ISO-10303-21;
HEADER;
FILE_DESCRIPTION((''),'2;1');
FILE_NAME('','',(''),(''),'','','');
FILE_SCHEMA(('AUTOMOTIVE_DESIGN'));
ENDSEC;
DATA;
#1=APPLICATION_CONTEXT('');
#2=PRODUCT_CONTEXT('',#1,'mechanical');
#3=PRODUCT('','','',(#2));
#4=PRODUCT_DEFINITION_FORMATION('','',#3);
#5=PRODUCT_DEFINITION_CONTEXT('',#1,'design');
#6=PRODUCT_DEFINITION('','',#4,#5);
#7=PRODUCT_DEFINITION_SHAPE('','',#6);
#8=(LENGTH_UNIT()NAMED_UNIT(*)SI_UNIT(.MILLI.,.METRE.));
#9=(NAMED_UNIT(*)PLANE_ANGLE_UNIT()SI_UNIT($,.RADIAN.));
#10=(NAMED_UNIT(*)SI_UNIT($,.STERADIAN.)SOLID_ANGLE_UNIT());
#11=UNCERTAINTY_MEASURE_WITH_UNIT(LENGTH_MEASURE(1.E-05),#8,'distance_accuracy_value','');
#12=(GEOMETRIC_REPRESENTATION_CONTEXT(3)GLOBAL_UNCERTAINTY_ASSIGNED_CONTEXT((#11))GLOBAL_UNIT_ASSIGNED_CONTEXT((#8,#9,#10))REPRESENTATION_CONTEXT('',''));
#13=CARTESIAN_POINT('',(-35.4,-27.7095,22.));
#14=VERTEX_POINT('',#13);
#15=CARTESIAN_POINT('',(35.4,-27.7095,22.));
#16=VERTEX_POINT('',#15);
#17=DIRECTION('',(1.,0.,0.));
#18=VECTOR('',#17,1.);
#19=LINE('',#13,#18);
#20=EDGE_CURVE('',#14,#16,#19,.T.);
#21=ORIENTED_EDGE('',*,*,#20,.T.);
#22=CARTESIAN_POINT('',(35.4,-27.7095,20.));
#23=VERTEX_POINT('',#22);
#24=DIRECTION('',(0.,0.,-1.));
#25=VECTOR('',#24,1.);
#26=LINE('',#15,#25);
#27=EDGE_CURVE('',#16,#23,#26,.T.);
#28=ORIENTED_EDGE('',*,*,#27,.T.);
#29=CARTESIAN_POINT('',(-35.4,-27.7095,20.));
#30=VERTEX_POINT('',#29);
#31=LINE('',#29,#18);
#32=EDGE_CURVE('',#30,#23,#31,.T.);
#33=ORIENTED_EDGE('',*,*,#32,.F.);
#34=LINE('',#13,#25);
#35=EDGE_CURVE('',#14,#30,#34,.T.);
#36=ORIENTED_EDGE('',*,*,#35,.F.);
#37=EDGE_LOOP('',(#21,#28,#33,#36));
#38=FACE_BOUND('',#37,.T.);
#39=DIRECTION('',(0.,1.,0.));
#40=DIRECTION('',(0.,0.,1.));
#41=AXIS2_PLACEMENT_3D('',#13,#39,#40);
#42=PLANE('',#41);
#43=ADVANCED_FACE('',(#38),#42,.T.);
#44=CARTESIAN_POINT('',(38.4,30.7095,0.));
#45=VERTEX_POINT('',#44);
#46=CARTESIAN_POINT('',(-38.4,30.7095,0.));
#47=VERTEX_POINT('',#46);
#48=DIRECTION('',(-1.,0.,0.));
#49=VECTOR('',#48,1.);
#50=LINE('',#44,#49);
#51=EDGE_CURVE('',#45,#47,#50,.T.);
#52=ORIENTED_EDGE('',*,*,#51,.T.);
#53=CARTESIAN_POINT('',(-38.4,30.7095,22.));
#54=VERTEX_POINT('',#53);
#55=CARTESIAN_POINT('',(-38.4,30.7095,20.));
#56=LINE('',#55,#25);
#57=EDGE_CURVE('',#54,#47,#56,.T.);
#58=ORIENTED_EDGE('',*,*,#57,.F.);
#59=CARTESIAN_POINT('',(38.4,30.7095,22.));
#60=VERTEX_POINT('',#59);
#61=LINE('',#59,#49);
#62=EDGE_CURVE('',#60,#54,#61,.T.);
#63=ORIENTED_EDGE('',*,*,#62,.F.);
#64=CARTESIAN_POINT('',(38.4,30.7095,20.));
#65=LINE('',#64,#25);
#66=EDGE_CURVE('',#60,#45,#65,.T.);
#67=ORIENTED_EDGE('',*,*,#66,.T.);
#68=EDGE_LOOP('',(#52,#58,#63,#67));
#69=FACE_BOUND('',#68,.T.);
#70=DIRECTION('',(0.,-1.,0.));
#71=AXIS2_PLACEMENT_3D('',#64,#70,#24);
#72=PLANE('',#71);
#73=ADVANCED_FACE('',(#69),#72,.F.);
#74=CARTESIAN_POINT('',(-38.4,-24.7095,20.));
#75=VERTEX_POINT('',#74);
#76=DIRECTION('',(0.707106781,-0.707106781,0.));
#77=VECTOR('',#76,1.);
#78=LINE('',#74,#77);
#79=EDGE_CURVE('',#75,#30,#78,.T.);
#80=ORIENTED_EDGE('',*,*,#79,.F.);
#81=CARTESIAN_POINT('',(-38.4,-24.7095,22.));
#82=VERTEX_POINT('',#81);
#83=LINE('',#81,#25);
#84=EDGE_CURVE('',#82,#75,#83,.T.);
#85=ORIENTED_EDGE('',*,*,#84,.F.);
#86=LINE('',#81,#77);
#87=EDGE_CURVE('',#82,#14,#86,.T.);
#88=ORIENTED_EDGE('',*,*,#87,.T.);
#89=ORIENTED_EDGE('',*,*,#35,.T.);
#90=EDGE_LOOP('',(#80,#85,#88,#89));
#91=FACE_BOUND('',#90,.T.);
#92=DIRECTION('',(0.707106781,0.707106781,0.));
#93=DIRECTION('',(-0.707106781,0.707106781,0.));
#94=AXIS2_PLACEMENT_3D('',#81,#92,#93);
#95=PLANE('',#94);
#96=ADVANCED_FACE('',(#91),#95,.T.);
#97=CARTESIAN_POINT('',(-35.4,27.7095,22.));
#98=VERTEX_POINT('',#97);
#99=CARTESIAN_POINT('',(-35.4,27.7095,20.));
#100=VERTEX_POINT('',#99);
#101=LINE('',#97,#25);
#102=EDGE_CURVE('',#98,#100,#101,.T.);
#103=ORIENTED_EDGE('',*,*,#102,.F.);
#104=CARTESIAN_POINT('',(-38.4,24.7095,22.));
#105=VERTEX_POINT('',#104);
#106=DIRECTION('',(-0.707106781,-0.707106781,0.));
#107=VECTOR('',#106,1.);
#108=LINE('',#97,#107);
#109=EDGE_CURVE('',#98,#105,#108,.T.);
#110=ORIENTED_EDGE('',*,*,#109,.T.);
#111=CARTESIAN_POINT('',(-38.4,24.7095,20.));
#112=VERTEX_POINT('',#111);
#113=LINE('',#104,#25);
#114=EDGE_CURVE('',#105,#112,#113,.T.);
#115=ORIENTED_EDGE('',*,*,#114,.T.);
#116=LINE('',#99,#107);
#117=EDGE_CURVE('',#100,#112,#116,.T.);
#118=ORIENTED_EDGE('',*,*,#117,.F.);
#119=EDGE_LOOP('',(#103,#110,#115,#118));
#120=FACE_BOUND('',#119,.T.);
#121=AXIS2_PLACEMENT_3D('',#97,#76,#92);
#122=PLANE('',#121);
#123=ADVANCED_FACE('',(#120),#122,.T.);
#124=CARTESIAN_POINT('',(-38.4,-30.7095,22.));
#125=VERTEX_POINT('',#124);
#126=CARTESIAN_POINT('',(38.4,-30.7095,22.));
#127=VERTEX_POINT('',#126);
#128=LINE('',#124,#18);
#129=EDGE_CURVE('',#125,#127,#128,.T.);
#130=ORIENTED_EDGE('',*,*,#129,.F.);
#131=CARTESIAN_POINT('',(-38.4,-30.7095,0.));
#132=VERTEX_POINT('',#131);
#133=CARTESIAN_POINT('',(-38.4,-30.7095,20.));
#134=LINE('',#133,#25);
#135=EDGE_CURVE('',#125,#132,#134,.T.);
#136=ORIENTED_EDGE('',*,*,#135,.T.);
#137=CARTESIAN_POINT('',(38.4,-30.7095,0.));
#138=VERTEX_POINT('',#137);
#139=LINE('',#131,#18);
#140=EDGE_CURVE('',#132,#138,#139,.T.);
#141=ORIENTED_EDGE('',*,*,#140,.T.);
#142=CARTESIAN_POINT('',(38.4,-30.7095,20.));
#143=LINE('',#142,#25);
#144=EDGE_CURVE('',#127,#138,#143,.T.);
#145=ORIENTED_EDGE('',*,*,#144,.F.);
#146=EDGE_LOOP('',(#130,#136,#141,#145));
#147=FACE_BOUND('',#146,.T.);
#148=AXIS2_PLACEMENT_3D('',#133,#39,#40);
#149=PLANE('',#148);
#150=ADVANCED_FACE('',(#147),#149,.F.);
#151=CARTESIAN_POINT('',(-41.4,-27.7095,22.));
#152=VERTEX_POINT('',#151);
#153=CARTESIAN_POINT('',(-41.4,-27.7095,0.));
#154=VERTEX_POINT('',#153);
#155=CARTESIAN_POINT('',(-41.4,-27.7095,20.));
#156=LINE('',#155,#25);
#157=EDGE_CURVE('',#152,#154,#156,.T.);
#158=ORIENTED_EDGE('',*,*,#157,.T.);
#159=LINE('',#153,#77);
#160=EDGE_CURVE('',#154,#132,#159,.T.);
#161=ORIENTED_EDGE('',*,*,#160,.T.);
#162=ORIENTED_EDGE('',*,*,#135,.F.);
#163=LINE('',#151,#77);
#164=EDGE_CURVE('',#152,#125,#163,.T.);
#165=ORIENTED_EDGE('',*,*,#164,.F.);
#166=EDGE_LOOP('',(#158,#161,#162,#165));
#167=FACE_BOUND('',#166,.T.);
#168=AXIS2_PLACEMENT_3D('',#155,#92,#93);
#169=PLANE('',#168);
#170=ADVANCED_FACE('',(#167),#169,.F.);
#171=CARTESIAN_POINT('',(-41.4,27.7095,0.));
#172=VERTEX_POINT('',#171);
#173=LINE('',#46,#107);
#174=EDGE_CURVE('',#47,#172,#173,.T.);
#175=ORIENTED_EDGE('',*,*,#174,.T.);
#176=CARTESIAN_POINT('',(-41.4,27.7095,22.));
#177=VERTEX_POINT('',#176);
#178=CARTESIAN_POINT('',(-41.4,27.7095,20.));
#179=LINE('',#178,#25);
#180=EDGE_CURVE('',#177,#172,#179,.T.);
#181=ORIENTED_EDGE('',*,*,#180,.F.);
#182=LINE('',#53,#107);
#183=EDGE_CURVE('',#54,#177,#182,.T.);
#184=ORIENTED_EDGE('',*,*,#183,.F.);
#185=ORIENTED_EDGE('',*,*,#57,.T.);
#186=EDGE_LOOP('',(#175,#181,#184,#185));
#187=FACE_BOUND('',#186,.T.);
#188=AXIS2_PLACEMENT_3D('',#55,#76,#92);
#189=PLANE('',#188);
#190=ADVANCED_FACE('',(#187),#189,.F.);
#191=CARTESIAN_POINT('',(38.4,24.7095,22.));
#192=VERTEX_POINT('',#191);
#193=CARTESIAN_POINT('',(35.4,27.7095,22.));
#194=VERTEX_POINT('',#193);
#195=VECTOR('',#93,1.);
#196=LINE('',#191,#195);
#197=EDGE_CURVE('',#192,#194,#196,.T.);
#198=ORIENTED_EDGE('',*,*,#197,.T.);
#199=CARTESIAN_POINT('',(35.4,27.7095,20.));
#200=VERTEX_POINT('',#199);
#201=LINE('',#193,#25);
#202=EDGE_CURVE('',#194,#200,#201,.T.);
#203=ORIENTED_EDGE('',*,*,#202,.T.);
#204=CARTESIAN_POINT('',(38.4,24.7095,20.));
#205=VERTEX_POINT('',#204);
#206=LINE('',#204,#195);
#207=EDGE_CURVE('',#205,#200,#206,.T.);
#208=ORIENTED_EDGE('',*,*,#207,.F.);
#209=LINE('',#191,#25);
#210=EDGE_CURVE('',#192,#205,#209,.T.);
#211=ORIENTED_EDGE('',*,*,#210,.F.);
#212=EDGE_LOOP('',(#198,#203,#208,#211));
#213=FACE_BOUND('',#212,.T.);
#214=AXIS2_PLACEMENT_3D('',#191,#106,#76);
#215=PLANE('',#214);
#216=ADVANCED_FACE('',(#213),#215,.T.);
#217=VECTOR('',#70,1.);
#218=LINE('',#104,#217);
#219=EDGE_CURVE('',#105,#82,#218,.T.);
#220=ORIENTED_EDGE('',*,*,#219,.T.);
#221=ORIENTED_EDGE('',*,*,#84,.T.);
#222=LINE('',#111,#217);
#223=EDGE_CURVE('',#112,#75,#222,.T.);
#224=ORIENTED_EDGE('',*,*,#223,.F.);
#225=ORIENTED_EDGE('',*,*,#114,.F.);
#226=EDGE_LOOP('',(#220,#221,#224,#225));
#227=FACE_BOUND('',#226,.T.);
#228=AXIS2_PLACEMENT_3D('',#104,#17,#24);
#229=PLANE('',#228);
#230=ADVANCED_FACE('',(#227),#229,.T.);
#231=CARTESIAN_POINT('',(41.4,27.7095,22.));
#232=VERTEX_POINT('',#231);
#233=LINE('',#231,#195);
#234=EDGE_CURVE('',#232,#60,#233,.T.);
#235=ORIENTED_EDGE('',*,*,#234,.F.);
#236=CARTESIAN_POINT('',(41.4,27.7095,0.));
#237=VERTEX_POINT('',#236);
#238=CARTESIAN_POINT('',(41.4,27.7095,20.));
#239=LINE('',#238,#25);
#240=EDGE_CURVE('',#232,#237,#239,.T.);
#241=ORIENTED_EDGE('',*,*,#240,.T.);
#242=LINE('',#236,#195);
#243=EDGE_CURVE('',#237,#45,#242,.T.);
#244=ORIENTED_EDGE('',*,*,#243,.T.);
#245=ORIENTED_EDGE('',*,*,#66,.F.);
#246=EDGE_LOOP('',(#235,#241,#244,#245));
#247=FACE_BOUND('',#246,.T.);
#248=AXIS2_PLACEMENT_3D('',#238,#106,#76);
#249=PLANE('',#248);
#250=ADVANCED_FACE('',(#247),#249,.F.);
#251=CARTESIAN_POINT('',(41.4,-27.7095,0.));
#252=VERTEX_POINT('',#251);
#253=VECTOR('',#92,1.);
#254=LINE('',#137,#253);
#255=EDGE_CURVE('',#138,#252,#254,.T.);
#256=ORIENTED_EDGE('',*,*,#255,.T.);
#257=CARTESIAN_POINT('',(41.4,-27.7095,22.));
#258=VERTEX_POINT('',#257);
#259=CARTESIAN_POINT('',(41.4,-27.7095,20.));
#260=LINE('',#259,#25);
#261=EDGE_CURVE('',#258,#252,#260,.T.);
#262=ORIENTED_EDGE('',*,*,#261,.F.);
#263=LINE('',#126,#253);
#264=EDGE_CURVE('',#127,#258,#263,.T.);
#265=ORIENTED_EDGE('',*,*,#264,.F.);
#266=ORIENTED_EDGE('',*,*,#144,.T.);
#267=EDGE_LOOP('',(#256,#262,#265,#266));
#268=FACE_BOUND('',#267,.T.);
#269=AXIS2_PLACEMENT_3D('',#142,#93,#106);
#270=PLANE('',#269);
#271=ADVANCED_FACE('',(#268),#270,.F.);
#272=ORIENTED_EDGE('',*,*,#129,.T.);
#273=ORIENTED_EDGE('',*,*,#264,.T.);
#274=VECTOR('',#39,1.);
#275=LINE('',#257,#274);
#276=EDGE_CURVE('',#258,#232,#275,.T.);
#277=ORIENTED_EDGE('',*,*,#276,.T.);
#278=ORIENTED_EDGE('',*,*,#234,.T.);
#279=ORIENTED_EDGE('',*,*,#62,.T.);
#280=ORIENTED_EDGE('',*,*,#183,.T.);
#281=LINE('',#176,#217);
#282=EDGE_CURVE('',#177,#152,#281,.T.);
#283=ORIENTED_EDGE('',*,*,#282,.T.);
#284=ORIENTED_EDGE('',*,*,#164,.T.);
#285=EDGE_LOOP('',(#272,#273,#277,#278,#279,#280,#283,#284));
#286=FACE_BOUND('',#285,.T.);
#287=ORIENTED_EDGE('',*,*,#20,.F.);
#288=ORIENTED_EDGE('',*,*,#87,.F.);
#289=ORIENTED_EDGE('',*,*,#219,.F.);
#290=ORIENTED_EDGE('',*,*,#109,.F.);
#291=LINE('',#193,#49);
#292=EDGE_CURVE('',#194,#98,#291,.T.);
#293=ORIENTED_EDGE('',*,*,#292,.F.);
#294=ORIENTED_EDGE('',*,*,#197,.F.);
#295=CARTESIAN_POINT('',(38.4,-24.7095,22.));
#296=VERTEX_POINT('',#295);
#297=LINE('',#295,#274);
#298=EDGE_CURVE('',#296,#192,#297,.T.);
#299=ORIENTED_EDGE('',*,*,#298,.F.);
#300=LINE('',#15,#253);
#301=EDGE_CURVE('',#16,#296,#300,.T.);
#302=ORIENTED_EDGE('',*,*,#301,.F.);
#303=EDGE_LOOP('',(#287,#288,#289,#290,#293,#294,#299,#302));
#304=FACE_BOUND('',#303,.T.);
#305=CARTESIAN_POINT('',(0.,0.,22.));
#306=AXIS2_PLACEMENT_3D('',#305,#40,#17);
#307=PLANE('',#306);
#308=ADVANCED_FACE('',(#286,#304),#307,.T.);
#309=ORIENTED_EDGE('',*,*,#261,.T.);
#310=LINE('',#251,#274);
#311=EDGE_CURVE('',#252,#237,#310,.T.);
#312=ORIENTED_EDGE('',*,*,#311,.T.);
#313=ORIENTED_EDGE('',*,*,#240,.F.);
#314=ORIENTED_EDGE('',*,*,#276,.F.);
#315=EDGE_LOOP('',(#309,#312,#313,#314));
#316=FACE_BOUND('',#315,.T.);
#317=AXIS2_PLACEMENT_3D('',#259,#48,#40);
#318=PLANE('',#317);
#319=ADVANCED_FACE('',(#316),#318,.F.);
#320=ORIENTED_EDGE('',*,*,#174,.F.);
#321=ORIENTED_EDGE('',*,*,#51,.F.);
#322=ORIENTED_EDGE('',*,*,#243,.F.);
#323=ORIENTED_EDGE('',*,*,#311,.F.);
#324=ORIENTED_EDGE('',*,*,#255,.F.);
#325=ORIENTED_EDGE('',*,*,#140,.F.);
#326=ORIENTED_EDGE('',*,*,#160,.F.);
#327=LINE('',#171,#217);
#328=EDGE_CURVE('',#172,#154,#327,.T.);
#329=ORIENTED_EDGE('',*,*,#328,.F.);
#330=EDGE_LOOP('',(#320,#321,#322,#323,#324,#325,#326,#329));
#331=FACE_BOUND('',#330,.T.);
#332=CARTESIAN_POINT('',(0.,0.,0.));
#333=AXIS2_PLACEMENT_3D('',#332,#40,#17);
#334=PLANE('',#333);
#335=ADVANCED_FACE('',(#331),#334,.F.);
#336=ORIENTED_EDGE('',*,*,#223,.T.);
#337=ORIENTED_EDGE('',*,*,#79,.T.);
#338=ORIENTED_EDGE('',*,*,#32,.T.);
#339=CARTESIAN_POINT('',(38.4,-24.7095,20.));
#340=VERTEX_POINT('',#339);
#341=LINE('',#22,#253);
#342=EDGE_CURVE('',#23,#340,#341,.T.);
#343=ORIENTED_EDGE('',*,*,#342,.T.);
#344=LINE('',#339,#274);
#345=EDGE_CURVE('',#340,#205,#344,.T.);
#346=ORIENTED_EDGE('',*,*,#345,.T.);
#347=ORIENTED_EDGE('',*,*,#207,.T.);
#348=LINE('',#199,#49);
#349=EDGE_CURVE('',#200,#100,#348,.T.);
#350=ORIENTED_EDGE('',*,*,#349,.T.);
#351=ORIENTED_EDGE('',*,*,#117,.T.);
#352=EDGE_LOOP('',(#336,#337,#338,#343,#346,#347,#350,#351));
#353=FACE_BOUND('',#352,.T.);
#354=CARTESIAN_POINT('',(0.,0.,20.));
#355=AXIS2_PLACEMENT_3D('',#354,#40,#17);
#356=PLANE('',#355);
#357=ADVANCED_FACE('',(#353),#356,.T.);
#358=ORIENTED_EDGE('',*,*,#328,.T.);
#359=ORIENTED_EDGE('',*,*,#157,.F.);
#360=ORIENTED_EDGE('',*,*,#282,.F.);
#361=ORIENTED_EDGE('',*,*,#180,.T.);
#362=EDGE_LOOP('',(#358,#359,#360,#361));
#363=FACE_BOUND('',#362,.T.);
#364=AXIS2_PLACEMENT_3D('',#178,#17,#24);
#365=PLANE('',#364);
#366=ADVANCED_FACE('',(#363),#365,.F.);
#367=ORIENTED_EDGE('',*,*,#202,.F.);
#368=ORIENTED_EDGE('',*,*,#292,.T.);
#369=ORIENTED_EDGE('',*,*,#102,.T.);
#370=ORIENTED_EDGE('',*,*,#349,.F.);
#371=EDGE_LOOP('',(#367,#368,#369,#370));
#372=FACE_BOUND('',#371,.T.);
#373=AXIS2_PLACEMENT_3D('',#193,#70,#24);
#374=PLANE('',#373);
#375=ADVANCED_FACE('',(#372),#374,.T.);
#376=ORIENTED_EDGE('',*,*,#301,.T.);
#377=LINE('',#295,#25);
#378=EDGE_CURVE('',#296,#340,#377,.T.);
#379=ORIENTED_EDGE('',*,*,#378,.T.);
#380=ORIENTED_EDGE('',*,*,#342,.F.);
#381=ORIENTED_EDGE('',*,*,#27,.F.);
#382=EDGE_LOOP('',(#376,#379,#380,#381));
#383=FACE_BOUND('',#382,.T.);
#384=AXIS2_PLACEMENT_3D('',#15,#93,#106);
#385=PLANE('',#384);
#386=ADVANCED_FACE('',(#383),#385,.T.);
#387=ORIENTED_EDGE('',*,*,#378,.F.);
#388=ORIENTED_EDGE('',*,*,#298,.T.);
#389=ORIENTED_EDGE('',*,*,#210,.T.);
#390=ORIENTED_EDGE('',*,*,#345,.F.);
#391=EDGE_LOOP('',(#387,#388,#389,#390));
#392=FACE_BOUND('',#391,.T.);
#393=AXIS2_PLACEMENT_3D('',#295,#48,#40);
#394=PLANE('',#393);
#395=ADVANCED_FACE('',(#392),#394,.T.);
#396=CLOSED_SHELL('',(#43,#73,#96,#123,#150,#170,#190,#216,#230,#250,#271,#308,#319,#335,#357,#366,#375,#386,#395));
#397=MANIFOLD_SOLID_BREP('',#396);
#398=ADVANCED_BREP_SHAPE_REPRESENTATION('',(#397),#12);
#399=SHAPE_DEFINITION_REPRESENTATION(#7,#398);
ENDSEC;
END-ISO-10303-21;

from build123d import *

# Parameters (mm, degrees)
SUPPORT_PLANE_EXACTLY_20MM_ABOVE_TABLE_DEPTH   = 20
LOW_LOCATING_LIP_0P4MM_CLEARANCE_EACH_SI_START = 20
LOW_LOCATING_LIP_0P4MM_CLEARANCE_EACH_SI_DEPTH = 2


with BuildPart() as part:
    # 草图1 → Support_plane_exactly_20mm_above_table (new body)
    with BuildSketch(Plane.XY):
        Polygon((-38.4, -30.7095), (38.4, -30.7095), (41.4, -27.7095), (41.4, 27.7095), (38.4, 30.7095), (-38.4, 30.7095), (-41.4, 27.7095), (-41.4, -27.7095), align=None)
    extrude(amount=SUPPORT_PLANE_EXACTLY_20MM_ABOVE_TABLE_DEPTH)

    # 草图2 → Low_locating_lip_0p4mm_clearance_each_side (add)
    with BuildSketch(Plane.XY.offset(LOW_LOCATING_LIP_0P4MM_CLEARANCE_EACH_SI_START)):
        Polygon((-38.4, -30.7095), (38.4, -30.7095), (41.4, -27.7095), (41.4, 27.7095), (38.4, 30.7095), (-38.4, 30.7095), (-41.4, 27.7095), (-41.4, -27.7095), align=None)
        Polygon((-35.4, -27.7095), (35.4, -27.7095), (38.4, -24.7095), (38.4, 24.7095), (35.4, 27.7095), (-35.4, 27.7095), (-38.4, 24.7095), (-38.4, -24.7095), align=None, mode=Mode.SUBTRACT)
    extrude(amount=LOW_LOCATING_LIP_0P4MM_CLEARANCE_EACH_SI_DEPTH)


solid = part.part
